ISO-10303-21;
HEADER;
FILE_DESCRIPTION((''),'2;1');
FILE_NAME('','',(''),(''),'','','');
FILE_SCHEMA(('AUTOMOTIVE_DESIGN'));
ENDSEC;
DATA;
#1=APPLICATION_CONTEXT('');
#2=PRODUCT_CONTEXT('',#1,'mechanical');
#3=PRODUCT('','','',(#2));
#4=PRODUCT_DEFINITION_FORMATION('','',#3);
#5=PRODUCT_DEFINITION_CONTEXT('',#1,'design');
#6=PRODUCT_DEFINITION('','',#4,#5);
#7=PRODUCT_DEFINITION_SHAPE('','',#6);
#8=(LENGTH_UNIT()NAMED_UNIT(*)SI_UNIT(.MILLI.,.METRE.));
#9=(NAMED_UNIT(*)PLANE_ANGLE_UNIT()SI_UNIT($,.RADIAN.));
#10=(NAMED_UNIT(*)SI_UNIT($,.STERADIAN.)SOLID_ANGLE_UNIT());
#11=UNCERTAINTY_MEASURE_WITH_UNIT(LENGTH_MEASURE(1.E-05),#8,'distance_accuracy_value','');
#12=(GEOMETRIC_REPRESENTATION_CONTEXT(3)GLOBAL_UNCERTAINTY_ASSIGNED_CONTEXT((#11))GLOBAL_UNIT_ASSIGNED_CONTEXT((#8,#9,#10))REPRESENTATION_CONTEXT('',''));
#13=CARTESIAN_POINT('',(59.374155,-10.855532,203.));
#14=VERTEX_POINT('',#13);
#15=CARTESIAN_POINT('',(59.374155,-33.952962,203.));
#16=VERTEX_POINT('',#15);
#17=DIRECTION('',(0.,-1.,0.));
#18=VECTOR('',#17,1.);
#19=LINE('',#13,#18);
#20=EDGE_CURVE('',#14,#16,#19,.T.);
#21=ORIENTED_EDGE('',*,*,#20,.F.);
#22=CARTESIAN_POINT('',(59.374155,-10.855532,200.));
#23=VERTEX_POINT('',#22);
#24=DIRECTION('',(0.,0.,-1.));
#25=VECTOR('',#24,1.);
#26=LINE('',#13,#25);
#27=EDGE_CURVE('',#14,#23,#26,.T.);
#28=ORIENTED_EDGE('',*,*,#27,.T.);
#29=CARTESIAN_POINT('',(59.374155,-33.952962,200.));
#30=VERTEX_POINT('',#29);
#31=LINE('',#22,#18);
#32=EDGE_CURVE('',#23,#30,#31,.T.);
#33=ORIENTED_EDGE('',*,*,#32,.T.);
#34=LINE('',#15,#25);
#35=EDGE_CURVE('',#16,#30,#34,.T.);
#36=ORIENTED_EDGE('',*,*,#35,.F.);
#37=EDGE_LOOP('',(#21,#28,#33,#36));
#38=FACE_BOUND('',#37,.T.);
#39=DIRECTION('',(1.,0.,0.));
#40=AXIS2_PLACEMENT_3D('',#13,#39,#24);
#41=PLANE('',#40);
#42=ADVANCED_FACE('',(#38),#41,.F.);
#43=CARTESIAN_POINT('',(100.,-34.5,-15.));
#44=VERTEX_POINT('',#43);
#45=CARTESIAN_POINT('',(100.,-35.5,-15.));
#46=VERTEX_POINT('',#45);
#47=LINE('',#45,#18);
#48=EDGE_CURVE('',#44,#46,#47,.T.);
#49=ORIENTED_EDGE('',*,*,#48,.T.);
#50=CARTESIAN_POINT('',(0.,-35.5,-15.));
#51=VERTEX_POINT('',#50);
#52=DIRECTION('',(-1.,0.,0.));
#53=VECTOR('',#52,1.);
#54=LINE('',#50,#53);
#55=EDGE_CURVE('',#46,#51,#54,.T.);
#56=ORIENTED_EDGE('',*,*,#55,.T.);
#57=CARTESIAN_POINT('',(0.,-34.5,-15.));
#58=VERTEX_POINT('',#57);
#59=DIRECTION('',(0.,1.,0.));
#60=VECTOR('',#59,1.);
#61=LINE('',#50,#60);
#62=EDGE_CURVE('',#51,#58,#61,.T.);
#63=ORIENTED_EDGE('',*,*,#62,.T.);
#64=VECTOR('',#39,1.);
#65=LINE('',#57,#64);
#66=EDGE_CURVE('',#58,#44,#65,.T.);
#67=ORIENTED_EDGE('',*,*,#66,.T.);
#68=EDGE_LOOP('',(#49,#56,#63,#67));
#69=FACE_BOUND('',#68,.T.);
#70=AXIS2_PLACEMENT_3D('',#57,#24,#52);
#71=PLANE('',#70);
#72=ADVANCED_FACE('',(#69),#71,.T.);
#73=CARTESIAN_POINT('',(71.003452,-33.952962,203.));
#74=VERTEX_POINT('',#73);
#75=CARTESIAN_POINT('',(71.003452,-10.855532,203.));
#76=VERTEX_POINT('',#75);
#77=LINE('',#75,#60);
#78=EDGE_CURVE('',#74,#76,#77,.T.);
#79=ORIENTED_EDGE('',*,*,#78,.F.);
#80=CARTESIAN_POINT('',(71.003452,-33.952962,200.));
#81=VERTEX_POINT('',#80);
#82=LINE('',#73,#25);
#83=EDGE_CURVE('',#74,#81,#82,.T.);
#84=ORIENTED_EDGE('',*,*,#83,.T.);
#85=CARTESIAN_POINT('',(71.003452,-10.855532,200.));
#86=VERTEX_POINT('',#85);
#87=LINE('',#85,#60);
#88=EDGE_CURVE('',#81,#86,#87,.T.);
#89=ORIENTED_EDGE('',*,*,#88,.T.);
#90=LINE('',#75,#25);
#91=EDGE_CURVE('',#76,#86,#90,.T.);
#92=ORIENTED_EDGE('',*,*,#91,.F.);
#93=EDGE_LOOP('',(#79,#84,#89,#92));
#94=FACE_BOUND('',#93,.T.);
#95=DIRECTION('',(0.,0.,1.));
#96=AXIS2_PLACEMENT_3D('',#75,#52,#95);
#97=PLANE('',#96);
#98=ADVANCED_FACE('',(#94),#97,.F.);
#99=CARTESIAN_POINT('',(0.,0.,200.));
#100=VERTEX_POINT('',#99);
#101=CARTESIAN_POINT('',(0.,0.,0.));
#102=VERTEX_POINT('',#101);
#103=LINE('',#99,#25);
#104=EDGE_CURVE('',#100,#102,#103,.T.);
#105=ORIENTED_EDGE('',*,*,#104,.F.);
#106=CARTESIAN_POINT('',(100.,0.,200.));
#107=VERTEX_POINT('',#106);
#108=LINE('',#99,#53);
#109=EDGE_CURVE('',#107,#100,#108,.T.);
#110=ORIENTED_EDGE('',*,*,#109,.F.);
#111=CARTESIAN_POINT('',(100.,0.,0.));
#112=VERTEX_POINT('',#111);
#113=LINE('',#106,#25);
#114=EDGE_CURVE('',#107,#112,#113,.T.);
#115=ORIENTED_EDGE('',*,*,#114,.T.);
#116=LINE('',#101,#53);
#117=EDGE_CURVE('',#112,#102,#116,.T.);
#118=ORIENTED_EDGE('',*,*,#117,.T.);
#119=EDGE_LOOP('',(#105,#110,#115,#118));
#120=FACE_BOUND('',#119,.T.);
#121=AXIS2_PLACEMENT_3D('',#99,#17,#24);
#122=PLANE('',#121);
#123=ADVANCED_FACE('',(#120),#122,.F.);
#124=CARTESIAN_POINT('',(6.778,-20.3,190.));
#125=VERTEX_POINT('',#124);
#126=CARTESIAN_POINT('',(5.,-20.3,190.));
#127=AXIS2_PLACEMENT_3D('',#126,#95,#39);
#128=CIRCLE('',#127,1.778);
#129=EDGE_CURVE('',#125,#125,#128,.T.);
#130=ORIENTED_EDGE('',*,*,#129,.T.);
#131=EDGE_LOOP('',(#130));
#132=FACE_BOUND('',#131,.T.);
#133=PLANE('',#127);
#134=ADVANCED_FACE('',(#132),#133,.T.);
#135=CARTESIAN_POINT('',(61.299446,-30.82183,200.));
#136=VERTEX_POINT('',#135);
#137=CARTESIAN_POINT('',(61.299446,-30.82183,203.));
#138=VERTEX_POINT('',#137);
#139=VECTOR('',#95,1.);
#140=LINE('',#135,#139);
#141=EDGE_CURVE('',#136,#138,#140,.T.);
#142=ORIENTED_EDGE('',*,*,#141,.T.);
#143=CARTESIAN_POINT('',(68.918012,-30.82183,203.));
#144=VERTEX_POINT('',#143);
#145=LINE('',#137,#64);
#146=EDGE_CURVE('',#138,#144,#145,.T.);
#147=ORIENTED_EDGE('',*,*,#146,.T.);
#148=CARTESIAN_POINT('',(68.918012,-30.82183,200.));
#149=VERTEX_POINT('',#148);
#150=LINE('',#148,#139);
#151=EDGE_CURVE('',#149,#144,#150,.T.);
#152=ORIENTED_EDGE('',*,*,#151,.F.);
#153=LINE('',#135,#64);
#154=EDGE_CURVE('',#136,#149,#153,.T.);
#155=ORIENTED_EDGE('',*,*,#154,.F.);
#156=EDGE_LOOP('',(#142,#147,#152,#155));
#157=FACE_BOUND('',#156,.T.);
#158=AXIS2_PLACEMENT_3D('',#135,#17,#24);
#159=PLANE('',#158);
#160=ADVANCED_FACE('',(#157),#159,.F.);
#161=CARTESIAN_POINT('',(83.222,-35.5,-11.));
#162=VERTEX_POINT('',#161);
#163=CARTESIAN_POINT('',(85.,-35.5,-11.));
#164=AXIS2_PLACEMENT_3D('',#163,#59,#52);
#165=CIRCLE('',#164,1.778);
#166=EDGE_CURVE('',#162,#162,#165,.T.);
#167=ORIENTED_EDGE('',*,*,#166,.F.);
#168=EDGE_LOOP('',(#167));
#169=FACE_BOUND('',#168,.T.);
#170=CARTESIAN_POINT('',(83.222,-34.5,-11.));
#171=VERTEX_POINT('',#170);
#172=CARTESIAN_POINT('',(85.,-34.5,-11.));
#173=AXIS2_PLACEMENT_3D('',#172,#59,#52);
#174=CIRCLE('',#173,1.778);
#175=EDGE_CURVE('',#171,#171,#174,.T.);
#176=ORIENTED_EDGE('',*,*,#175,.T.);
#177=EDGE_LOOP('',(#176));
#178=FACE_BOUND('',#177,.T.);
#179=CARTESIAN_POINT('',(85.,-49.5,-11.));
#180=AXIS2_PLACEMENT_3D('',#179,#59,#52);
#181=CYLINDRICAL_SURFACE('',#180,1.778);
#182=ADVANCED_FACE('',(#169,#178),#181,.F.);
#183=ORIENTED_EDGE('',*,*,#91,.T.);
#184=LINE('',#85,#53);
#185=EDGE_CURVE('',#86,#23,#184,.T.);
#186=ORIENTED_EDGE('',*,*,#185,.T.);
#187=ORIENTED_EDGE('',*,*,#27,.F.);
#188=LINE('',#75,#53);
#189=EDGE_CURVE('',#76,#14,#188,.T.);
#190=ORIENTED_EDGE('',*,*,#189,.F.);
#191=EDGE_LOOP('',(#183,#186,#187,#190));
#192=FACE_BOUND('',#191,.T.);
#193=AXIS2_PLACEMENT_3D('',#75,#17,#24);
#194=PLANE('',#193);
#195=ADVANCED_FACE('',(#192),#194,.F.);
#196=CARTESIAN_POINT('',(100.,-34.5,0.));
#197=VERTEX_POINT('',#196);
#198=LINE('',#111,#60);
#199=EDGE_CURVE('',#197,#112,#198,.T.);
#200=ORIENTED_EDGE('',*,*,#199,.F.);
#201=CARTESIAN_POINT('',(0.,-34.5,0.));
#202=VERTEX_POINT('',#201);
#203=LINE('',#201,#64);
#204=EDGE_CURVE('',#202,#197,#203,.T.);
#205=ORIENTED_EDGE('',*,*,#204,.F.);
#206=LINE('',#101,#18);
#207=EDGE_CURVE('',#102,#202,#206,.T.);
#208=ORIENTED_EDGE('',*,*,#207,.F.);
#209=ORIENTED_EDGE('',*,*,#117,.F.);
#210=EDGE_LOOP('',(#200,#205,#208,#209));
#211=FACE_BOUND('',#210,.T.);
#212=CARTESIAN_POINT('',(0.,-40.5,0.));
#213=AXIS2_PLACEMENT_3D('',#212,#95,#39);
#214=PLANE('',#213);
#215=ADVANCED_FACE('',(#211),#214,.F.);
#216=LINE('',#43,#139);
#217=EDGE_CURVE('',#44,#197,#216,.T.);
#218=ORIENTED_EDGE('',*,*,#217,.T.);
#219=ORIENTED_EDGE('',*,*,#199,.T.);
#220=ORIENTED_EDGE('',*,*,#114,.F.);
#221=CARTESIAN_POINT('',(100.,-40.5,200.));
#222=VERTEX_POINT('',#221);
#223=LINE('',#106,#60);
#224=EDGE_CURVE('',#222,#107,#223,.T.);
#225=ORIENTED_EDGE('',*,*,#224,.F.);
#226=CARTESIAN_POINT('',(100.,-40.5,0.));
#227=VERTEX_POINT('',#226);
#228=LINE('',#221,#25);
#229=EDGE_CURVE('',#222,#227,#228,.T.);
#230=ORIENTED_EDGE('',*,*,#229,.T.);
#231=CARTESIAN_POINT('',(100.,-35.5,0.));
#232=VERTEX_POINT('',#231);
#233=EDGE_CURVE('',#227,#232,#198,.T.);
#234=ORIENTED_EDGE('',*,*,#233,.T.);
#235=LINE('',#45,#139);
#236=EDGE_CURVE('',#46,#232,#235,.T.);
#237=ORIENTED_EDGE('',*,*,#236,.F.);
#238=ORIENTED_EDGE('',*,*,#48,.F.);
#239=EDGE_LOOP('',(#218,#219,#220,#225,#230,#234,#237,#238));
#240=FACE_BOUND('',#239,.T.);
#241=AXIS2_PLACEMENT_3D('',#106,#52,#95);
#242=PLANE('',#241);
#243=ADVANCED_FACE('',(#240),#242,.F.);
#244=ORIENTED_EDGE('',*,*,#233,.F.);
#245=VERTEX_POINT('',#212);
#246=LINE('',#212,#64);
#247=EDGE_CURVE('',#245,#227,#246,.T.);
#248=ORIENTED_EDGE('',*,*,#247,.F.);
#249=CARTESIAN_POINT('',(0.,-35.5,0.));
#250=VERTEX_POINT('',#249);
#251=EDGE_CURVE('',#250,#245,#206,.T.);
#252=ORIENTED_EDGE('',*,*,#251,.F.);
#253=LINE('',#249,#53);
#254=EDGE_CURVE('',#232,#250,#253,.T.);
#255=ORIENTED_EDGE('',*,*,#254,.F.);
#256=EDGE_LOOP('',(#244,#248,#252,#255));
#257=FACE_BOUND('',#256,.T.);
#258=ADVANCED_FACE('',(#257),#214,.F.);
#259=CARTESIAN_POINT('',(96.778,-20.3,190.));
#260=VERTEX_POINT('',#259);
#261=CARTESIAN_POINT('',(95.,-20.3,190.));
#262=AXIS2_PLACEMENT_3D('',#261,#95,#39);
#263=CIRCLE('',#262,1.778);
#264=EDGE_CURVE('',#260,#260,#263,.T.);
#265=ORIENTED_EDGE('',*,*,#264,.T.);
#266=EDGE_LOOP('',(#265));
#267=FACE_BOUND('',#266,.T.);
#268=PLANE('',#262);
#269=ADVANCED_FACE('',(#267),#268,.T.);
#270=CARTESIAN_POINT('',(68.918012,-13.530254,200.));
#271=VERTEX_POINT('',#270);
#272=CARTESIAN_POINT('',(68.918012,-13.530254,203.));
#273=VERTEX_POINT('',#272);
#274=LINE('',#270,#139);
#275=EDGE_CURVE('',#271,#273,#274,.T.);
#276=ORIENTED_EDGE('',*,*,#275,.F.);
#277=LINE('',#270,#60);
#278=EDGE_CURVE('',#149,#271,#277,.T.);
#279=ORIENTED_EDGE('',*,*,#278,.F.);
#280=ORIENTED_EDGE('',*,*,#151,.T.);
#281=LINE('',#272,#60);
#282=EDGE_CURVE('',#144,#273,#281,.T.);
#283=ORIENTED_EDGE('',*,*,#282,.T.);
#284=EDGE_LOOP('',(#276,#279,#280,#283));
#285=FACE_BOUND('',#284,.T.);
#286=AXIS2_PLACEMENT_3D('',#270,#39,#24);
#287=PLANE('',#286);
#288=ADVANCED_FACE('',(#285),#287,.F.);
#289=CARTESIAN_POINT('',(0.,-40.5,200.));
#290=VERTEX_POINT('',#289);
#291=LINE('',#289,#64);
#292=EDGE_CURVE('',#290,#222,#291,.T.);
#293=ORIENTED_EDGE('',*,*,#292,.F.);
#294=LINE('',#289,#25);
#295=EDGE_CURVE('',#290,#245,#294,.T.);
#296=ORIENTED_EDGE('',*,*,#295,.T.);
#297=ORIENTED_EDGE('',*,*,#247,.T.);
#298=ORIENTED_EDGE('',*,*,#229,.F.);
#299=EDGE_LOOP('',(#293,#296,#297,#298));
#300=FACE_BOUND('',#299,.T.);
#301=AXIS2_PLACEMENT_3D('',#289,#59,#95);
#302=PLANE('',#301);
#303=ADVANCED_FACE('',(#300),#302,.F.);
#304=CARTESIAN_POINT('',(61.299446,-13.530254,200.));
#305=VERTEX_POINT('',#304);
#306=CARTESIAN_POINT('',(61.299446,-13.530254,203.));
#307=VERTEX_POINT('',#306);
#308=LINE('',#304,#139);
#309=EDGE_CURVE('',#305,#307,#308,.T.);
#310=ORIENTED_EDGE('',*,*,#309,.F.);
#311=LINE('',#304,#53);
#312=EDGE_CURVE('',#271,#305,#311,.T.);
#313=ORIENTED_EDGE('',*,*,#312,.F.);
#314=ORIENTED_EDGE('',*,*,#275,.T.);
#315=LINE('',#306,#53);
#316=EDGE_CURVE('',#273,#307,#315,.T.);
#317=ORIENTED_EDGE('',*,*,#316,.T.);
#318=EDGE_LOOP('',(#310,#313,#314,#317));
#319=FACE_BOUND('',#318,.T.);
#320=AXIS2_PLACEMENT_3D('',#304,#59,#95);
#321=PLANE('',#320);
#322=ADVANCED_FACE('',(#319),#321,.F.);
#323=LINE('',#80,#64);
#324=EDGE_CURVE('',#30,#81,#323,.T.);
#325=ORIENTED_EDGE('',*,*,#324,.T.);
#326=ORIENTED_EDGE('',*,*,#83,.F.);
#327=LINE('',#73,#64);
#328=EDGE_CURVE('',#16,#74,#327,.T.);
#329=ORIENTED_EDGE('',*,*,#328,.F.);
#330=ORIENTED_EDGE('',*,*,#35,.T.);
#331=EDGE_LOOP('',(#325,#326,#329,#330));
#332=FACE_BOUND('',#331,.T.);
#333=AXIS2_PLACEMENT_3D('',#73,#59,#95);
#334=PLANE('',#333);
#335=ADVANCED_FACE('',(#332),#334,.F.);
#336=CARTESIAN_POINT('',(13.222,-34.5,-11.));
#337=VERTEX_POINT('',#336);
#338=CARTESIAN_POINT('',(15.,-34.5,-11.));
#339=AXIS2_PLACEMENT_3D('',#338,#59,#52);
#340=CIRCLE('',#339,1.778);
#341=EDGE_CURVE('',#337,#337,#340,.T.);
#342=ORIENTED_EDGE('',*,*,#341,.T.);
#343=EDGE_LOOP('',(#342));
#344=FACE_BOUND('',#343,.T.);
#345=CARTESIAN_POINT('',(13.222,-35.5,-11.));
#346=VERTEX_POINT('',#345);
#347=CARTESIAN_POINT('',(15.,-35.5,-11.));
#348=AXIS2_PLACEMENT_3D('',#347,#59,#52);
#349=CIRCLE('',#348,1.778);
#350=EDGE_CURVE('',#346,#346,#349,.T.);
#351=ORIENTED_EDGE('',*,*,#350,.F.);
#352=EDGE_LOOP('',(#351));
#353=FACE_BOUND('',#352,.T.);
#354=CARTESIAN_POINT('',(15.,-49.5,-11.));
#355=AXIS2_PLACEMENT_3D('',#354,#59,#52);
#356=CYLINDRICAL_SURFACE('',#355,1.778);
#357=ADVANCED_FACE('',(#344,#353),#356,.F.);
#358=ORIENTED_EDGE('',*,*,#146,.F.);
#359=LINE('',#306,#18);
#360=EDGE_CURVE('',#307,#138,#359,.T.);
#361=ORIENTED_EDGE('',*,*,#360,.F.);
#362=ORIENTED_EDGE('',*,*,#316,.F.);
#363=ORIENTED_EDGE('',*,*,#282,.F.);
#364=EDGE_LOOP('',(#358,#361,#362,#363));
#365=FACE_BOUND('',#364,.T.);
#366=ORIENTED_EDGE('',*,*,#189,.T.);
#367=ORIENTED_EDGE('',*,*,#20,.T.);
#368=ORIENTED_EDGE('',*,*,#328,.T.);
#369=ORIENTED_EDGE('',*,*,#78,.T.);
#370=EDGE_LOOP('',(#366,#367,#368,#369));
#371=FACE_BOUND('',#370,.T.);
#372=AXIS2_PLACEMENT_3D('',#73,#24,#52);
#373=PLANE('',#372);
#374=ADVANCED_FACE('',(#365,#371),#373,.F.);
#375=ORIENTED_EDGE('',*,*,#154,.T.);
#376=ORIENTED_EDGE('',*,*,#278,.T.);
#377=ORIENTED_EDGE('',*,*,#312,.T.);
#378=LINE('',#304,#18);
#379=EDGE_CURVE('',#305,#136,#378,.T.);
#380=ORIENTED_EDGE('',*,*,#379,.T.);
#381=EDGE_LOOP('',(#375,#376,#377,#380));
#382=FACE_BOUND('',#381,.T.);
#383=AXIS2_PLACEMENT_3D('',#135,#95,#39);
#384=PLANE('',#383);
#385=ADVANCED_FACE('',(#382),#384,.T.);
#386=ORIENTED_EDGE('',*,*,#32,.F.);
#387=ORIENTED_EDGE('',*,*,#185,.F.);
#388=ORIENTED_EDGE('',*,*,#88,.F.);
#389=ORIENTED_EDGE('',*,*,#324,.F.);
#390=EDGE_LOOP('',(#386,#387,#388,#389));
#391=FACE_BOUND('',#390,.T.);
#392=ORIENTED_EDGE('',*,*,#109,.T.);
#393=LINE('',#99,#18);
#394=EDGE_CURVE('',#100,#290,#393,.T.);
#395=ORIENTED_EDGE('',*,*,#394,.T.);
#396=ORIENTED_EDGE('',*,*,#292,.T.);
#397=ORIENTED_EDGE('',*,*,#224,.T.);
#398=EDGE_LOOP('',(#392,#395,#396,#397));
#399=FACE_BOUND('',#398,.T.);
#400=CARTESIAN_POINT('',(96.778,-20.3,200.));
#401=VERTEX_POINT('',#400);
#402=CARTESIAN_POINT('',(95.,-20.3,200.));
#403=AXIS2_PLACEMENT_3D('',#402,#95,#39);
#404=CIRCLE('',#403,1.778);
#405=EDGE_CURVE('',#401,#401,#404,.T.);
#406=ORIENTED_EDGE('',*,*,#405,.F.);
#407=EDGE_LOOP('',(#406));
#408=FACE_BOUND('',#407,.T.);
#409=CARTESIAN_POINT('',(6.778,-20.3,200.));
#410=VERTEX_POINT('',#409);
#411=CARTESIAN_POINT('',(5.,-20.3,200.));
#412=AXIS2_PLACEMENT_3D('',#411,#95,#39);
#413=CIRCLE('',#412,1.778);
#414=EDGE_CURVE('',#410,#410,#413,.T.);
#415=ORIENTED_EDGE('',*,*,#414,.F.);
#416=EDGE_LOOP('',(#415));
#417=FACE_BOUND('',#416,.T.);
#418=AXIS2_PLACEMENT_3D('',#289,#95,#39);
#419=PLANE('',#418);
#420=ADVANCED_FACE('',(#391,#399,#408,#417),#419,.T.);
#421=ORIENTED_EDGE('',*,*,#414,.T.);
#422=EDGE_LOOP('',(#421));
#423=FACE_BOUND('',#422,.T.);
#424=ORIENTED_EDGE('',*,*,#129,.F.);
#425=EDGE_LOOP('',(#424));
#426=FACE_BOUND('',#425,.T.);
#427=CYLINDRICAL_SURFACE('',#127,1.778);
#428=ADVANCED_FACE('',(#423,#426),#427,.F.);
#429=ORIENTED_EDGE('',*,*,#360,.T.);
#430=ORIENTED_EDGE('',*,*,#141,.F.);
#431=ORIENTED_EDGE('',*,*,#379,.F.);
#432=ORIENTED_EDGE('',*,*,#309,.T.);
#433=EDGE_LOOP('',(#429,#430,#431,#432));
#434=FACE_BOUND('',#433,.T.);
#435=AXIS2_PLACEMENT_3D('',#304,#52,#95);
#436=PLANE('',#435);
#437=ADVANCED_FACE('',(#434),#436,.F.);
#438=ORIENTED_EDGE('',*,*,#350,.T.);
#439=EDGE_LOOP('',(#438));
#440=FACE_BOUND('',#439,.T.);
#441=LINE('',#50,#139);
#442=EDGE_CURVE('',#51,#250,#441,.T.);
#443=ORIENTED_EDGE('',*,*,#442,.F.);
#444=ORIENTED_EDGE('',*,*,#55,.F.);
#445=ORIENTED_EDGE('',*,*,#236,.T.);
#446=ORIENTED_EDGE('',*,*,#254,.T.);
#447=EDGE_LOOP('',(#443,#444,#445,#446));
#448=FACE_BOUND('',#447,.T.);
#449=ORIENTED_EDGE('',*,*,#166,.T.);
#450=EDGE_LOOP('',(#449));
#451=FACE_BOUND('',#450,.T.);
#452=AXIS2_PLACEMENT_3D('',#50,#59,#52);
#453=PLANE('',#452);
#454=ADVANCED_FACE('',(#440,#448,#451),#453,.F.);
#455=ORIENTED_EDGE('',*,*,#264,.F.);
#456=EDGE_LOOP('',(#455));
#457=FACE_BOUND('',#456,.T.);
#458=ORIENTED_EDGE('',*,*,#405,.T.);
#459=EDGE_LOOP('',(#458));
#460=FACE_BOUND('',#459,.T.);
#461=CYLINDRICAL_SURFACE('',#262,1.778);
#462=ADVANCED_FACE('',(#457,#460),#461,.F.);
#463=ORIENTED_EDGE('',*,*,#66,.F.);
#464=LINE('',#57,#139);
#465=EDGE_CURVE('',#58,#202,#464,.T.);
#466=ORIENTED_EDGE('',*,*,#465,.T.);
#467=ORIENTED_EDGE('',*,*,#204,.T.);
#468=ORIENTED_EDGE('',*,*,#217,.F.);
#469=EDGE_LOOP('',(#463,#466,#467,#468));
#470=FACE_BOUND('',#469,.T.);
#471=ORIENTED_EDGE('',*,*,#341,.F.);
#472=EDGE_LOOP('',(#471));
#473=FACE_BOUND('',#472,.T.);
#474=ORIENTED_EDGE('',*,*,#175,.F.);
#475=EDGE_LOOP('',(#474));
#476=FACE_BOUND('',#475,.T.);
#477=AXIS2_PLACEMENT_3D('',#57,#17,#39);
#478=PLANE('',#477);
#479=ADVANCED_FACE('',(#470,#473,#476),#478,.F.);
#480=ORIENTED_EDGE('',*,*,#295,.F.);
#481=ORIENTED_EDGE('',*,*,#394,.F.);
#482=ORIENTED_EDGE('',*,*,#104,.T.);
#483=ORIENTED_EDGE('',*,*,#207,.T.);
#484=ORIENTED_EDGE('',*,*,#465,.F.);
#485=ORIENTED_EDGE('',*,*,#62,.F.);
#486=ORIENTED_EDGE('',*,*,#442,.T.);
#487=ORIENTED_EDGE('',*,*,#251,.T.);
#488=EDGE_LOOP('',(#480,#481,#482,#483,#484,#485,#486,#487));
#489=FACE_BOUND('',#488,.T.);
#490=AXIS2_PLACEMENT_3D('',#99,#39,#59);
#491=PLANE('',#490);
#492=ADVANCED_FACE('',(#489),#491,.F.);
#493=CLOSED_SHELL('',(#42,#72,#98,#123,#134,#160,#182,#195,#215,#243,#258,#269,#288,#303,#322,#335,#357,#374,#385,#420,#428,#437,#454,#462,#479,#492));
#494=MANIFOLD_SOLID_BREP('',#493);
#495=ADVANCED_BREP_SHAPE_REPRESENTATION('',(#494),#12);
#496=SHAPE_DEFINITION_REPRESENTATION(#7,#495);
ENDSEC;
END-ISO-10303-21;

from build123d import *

# Parameters (mm, degrees)
SKETCH1_W          = 100
SKETCH1_H          = 40.5
EXTRUDE1_DEPTH     = 200
SKETCH2_R          = 1.778
CUT_EXTRUDE1_DEPTH = 10
SKETCH3_W          = 100
SKETCH3_H          = 1
EXTRUDE2_DEPTH     = 15
SKETCH4_R          = 1.778
CUT_EXTRUDE2_DEPTH = 15
SKETCH5_W          = 11.629297252
SKETCH5_H          = 23.097430101
EXTRUDE3_DEPTH     = 3
SKETCH6_W          = 7.618566084
SKETCH6_H          = 17.291576956
CUT_EXTRUDE3_DEPTH = 3


with BuildPart() as part:
    # Sketch1 → Extrude1 (new body)
    with BuildSketch(Plane.XY):
        with Locations((50, -20.25)):
            Rectangle(SKETCH1_W, SKETCH1_H)
    extrude(amount=EXTRUDE1_DEPTH)

    # Sketch2 → Cut-Extrude1 (cut)
    with BuildSketch(Plane.XY.offset(200)):
        with Locations((95, -20.3)):
            Circle(SKETCH2_R)
        with Locations((5, -20.3)):
            Circle(SKETCH2_R)
    extrude(amount=-CUT_EXTRUDE1_DEPTH, mode=Mode.SUBTRACT)

    # Sketch3 → Extrude2 (add)
    with BuildSketch(Plane(origin=(0, 0, 0), x_dir=(-1, 0, 0), z_dir=(0, 0, -1))):
        with Locations((-50, -35)):
            Rectangle(SKETCH3_W, SKETCH3_H)
    extrude(amount=EXTRUDE2_DEPTH)

    # Sketch4 → Cut-Extrude2 (cut)
    with BuildSketch(Plane(origin=(0, -34.5, 0), x_dir=(-1, 0, 0), z_dir=(0, 1, 0))):
        with Locations((-15, -11)):
            Circle(SKETCH4_R)
        with Locations((-85, -11)):
            Circle(SKETCH4_R)
    extrude(amount=-CUT_EXTRUDE2_DEPTH, mode=Mode.SUBTRACT)

    # Sketch5 → Extrude3 (add)
    with BuildSketch(Plane.XY.offset(200)):
        with Locations((65.188803726, -22.404247031)):
            Rectangle(SKETCH5_W, SKETCH5_H)
    extrude(amount=EXTRUDE3_DEPTH)

    # Sketch6 → Cut-Extrude3 (cut)
    with BuildSketch(Plane.XY.offset(203)):
        with Locations((65.10872937, -22.176041988)):
            Rectangle(SKETCH6_W, SKETCH6_H)
    extrude(amount=-CUT_EXTRUDE3_DEPTH, mode=Mode.SUBTRACT)


solid = part.part
